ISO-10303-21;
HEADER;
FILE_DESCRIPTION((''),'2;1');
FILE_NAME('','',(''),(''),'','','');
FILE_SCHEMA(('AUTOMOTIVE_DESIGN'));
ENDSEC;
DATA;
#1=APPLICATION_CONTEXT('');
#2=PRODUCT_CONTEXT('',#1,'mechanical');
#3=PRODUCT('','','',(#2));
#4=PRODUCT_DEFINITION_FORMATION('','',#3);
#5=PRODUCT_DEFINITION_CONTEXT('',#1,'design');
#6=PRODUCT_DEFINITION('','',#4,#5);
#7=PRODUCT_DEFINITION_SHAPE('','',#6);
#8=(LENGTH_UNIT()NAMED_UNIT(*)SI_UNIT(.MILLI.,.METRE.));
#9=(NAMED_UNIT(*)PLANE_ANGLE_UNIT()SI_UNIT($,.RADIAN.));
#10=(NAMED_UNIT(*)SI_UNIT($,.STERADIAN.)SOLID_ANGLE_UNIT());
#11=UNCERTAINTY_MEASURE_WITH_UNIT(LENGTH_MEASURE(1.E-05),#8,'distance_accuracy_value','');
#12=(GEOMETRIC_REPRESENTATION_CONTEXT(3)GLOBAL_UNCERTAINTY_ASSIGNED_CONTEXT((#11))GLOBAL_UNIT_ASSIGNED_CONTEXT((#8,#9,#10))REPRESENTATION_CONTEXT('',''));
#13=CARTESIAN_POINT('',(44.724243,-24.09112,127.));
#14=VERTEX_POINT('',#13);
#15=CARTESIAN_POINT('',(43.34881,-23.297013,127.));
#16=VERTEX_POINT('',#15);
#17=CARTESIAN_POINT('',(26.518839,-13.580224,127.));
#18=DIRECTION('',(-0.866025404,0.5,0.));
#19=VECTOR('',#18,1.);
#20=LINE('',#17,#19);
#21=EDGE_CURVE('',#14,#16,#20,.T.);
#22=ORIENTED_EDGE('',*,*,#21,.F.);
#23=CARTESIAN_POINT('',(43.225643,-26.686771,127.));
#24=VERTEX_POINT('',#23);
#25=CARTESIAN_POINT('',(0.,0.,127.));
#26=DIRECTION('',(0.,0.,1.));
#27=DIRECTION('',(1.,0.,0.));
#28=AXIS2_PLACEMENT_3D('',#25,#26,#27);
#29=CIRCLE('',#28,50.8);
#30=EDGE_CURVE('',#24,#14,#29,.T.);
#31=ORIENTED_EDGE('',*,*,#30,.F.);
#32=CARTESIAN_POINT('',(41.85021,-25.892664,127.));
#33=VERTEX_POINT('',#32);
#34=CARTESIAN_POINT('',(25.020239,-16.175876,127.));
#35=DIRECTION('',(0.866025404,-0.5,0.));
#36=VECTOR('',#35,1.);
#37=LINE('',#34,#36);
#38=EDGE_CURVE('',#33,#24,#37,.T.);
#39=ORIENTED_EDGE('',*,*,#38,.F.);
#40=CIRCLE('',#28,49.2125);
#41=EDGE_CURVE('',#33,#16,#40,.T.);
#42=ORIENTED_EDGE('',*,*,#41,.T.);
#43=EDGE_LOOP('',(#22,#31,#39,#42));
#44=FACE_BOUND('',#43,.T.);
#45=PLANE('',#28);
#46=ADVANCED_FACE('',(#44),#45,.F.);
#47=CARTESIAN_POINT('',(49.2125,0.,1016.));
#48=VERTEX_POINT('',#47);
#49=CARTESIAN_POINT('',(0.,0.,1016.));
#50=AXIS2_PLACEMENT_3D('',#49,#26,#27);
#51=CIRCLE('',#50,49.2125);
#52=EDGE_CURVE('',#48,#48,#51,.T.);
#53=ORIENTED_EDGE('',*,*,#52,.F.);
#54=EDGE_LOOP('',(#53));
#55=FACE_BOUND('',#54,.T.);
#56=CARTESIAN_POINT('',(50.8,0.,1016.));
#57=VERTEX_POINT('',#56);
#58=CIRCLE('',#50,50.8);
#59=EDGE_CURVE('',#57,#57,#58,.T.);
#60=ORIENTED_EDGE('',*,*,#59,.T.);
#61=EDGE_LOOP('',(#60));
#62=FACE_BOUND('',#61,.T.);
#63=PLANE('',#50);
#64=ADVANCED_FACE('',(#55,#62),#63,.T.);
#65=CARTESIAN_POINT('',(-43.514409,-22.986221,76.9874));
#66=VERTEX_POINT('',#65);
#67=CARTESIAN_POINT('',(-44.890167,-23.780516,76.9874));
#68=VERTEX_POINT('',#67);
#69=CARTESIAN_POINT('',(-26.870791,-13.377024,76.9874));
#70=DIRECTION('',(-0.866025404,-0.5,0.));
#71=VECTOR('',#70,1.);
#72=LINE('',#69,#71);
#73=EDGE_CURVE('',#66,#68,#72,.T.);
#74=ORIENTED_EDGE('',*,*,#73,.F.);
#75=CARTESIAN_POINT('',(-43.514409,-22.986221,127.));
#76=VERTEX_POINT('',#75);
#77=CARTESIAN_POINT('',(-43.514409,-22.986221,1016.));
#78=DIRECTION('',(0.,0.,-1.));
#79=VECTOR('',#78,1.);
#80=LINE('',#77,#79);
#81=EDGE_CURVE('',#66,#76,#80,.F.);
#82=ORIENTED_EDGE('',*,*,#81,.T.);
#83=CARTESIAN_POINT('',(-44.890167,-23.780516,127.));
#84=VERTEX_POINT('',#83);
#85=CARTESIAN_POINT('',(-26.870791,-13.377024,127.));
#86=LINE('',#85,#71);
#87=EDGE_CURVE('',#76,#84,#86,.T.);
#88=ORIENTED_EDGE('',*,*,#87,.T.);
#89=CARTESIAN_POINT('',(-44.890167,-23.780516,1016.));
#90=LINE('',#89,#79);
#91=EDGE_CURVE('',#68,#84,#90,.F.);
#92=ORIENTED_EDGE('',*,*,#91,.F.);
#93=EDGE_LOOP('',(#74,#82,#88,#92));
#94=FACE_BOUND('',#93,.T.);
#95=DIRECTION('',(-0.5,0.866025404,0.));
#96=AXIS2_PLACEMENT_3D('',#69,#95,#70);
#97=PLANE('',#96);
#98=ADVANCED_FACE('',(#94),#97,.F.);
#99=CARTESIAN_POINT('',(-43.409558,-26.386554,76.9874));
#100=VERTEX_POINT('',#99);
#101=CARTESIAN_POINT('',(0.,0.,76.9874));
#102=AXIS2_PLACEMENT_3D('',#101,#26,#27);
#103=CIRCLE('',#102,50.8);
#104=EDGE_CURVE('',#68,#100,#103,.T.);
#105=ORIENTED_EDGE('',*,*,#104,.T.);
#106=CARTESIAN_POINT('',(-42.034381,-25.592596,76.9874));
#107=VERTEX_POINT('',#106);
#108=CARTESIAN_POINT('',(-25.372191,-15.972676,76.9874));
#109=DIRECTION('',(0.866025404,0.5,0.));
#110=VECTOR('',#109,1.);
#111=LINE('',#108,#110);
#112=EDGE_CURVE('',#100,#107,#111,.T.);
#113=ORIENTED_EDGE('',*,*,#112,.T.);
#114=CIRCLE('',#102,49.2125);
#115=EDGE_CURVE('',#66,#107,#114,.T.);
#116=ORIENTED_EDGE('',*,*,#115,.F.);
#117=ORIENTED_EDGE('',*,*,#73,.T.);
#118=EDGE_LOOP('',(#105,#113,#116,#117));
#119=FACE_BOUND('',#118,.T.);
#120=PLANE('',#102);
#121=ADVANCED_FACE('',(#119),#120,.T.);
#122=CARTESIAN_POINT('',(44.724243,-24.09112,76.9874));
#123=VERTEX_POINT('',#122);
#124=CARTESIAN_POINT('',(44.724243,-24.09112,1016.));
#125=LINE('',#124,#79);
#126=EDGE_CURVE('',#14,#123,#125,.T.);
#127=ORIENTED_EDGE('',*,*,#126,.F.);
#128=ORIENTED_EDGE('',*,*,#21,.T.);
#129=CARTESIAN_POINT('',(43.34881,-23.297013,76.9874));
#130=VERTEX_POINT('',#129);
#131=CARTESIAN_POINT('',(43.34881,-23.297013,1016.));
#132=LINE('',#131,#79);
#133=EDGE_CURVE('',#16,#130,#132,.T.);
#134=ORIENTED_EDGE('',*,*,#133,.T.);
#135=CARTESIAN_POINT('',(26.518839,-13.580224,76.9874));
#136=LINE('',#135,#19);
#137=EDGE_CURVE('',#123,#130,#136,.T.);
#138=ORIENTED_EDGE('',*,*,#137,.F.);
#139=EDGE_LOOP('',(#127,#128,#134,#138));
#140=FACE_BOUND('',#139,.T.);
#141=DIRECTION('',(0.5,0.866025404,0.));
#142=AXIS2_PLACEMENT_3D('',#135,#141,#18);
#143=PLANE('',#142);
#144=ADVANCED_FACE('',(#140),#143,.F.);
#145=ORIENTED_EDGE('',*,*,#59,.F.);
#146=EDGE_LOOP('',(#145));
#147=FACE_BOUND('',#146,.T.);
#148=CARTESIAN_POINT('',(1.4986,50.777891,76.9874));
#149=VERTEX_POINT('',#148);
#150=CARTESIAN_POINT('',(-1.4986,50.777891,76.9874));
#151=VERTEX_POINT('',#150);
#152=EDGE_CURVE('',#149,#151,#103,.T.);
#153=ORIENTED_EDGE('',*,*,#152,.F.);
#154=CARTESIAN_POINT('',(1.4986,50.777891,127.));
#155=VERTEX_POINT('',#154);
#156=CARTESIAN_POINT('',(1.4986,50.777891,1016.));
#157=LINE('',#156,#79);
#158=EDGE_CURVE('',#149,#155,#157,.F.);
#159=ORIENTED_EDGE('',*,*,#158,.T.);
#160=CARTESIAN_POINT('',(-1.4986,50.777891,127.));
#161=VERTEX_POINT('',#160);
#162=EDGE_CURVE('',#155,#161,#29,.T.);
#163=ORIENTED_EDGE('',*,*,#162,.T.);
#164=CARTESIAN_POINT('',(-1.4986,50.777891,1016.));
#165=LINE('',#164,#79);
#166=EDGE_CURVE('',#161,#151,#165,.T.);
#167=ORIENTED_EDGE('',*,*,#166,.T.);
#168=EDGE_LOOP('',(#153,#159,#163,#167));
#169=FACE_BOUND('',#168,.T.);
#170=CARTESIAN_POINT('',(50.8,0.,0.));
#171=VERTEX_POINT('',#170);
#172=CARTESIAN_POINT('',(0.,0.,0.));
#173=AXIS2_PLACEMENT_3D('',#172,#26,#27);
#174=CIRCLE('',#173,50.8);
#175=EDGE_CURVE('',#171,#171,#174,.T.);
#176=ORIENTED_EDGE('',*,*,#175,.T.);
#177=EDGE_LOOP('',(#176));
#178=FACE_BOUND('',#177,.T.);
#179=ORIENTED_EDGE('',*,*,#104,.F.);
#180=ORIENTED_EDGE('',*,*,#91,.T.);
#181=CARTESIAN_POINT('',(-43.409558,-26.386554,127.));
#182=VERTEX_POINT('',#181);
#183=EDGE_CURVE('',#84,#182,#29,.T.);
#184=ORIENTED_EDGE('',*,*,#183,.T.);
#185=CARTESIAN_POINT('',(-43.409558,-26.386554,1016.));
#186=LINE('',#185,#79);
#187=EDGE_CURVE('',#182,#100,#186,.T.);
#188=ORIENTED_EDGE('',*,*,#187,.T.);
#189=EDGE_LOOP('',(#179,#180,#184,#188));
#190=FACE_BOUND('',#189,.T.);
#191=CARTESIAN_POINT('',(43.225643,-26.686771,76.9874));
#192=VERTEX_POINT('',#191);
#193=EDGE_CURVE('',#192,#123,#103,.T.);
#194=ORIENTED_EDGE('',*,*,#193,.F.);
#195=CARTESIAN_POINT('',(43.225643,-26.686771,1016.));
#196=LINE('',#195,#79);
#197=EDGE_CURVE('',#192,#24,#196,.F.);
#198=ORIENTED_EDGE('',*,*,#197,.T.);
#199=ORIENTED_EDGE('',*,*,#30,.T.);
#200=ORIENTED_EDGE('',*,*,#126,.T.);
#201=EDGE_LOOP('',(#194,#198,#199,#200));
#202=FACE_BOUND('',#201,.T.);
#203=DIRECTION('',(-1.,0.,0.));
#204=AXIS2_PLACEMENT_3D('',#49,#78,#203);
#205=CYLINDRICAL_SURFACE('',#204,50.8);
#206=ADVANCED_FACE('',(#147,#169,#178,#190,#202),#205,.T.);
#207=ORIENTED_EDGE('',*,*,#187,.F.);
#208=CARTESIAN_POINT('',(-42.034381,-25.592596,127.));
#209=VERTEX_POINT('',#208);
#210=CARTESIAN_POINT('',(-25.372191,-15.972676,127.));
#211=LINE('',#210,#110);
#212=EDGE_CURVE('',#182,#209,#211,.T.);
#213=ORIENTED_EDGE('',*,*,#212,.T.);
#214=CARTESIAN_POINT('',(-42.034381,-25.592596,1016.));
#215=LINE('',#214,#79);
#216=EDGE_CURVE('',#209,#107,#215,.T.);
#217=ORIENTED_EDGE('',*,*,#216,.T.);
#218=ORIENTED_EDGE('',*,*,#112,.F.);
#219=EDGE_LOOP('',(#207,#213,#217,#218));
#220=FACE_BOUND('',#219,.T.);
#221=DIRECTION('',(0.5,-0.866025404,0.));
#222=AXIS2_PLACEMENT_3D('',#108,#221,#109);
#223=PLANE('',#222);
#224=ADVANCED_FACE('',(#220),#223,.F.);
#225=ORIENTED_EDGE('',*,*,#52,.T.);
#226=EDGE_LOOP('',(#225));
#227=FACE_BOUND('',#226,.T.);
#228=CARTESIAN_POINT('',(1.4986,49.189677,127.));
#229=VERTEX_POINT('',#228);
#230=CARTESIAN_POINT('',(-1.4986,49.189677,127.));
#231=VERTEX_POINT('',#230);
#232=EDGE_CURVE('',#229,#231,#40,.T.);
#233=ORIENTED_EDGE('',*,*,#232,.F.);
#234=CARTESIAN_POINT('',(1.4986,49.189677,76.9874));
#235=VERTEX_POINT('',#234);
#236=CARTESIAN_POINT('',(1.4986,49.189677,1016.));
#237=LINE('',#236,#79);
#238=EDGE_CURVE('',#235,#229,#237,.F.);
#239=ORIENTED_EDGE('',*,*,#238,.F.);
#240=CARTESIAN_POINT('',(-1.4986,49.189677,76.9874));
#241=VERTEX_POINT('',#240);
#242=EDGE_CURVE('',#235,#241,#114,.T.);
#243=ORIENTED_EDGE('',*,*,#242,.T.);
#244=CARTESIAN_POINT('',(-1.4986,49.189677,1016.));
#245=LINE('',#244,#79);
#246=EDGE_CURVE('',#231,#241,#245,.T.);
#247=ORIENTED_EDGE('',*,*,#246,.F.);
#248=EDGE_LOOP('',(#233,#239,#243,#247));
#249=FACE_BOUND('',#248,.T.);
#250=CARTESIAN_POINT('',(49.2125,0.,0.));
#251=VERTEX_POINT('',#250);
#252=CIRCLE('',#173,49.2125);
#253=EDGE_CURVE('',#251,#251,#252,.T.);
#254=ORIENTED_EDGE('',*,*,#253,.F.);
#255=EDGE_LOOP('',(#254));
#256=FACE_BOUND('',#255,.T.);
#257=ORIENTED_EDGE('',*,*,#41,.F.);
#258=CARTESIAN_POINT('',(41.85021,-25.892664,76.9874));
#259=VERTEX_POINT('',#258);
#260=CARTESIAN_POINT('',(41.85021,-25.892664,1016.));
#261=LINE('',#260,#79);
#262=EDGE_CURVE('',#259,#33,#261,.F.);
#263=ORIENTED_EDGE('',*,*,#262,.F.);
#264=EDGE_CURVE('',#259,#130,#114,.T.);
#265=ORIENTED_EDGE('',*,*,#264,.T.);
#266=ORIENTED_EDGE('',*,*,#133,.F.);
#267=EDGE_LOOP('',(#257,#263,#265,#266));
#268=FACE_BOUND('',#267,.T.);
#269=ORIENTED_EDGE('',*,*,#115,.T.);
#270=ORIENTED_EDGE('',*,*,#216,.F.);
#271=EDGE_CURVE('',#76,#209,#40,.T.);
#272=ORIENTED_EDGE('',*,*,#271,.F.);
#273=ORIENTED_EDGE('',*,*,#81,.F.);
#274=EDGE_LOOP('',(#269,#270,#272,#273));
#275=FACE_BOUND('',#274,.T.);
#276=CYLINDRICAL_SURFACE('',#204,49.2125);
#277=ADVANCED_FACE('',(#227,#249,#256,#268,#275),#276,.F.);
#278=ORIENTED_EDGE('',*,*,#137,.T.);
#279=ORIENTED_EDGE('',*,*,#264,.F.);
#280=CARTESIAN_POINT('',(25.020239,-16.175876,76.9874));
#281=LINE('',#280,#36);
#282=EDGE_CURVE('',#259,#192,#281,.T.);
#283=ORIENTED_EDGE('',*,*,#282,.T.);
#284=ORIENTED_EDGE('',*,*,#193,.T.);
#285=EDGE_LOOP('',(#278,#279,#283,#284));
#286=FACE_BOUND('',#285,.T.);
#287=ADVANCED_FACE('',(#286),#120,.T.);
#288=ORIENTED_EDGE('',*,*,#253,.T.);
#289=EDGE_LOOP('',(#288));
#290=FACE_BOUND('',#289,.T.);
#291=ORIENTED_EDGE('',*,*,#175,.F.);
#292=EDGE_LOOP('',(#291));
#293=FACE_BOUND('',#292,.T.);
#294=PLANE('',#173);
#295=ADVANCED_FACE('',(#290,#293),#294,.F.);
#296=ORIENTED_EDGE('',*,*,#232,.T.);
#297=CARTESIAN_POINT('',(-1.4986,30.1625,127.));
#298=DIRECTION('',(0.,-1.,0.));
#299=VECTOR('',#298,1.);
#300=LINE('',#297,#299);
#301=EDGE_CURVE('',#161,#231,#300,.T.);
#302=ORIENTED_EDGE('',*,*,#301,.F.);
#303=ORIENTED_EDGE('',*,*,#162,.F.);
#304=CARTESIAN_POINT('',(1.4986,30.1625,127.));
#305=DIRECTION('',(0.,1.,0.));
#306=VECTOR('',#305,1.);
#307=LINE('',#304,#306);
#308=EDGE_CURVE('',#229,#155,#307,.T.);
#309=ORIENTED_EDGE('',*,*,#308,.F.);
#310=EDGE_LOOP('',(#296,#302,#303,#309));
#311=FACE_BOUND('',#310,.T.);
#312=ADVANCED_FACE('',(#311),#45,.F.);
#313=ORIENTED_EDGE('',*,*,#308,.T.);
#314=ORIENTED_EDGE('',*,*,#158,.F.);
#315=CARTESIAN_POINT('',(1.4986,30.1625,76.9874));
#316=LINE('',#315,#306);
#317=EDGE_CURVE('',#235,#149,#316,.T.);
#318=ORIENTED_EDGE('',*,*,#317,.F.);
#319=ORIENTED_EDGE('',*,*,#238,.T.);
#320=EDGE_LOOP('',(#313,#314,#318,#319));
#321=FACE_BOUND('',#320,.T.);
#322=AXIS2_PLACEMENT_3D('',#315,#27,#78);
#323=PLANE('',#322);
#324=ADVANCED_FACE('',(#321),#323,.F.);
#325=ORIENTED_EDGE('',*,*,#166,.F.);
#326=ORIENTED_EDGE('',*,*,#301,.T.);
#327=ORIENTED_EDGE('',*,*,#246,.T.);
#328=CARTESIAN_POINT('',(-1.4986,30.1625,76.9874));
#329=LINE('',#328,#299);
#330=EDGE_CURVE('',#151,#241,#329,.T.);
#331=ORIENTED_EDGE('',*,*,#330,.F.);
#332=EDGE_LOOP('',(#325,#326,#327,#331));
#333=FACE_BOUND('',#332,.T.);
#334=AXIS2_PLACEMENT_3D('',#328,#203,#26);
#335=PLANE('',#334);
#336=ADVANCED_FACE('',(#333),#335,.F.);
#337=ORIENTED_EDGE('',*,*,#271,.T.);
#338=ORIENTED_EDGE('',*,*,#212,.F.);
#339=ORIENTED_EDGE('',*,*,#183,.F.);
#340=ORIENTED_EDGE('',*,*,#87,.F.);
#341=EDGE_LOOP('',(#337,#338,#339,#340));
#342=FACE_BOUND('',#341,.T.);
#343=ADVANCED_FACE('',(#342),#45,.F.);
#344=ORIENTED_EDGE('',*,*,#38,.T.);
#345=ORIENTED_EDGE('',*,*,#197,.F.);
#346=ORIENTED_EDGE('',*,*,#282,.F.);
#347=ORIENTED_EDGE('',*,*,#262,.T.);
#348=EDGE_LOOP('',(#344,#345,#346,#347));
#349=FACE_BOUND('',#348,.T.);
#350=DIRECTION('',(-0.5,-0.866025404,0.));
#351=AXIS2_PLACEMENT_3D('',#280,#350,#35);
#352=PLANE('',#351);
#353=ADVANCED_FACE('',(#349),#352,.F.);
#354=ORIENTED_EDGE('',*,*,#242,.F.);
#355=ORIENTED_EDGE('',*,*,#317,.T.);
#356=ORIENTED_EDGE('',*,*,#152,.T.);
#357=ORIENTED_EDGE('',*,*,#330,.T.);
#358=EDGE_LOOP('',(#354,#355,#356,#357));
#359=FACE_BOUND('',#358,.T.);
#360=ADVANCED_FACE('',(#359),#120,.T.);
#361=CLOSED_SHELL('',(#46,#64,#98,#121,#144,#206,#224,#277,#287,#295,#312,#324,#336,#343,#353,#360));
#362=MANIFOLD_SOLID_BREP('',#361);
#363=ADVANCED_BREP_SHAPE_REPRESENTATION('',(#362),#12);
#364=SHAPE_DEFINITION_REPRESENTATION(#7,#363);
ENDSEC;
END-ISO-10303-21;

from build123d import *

# Parameters (mm, degrees)
SKETCH1_R           = 50.8
SKETCH1_R_2         = 49.2125
BOSS_EXTRUDE1_DEPTH = 1016
CUT_EXTRUDE1_START  = 127
SKETCH2_W           = 2.9972
SKETCH2_H           = 38.1
CUT_EXTRUDE1_DEPTH  = 50.0126


with BuildPart() as part:
    # Sketch1 → Boss-Extrude1 (new body)
    with BuildSketch(Plane.XY):
        Circle(SKETCH1_R)
        Circle(SKETCH1_R_2, mode=Mode.SUBTRACT)
    extrude(amount=BOSS_EXTRUDE1_DEPTH)

    # Sketch2 → Cut-Extrude1 (cut)
    with BuildSketch(Plane.XY.offset(CUT_EXTRUDE1_START)):
        Polygon((25.020238518, -16.17587567), (26.518838518, -13.58022433), (59.514406402, -32.63022433), (58.015806402, -35.22587567), align=None)
        with Locations((0, 49.2125)):
            Rectangle(SKETCH2_W, SKETCH2_H)
        Polygon((-26.870791242, -13.37702433), (-25.372191242, -15.97267567), (-58.367759126, -35.02267567), (-59.866359126, -32.42702433), align=None)
    extrude(amount=-CUT_EXTRUDE1_DEPTH, mode=Mode.SUBTRACT)


solid = part.part
